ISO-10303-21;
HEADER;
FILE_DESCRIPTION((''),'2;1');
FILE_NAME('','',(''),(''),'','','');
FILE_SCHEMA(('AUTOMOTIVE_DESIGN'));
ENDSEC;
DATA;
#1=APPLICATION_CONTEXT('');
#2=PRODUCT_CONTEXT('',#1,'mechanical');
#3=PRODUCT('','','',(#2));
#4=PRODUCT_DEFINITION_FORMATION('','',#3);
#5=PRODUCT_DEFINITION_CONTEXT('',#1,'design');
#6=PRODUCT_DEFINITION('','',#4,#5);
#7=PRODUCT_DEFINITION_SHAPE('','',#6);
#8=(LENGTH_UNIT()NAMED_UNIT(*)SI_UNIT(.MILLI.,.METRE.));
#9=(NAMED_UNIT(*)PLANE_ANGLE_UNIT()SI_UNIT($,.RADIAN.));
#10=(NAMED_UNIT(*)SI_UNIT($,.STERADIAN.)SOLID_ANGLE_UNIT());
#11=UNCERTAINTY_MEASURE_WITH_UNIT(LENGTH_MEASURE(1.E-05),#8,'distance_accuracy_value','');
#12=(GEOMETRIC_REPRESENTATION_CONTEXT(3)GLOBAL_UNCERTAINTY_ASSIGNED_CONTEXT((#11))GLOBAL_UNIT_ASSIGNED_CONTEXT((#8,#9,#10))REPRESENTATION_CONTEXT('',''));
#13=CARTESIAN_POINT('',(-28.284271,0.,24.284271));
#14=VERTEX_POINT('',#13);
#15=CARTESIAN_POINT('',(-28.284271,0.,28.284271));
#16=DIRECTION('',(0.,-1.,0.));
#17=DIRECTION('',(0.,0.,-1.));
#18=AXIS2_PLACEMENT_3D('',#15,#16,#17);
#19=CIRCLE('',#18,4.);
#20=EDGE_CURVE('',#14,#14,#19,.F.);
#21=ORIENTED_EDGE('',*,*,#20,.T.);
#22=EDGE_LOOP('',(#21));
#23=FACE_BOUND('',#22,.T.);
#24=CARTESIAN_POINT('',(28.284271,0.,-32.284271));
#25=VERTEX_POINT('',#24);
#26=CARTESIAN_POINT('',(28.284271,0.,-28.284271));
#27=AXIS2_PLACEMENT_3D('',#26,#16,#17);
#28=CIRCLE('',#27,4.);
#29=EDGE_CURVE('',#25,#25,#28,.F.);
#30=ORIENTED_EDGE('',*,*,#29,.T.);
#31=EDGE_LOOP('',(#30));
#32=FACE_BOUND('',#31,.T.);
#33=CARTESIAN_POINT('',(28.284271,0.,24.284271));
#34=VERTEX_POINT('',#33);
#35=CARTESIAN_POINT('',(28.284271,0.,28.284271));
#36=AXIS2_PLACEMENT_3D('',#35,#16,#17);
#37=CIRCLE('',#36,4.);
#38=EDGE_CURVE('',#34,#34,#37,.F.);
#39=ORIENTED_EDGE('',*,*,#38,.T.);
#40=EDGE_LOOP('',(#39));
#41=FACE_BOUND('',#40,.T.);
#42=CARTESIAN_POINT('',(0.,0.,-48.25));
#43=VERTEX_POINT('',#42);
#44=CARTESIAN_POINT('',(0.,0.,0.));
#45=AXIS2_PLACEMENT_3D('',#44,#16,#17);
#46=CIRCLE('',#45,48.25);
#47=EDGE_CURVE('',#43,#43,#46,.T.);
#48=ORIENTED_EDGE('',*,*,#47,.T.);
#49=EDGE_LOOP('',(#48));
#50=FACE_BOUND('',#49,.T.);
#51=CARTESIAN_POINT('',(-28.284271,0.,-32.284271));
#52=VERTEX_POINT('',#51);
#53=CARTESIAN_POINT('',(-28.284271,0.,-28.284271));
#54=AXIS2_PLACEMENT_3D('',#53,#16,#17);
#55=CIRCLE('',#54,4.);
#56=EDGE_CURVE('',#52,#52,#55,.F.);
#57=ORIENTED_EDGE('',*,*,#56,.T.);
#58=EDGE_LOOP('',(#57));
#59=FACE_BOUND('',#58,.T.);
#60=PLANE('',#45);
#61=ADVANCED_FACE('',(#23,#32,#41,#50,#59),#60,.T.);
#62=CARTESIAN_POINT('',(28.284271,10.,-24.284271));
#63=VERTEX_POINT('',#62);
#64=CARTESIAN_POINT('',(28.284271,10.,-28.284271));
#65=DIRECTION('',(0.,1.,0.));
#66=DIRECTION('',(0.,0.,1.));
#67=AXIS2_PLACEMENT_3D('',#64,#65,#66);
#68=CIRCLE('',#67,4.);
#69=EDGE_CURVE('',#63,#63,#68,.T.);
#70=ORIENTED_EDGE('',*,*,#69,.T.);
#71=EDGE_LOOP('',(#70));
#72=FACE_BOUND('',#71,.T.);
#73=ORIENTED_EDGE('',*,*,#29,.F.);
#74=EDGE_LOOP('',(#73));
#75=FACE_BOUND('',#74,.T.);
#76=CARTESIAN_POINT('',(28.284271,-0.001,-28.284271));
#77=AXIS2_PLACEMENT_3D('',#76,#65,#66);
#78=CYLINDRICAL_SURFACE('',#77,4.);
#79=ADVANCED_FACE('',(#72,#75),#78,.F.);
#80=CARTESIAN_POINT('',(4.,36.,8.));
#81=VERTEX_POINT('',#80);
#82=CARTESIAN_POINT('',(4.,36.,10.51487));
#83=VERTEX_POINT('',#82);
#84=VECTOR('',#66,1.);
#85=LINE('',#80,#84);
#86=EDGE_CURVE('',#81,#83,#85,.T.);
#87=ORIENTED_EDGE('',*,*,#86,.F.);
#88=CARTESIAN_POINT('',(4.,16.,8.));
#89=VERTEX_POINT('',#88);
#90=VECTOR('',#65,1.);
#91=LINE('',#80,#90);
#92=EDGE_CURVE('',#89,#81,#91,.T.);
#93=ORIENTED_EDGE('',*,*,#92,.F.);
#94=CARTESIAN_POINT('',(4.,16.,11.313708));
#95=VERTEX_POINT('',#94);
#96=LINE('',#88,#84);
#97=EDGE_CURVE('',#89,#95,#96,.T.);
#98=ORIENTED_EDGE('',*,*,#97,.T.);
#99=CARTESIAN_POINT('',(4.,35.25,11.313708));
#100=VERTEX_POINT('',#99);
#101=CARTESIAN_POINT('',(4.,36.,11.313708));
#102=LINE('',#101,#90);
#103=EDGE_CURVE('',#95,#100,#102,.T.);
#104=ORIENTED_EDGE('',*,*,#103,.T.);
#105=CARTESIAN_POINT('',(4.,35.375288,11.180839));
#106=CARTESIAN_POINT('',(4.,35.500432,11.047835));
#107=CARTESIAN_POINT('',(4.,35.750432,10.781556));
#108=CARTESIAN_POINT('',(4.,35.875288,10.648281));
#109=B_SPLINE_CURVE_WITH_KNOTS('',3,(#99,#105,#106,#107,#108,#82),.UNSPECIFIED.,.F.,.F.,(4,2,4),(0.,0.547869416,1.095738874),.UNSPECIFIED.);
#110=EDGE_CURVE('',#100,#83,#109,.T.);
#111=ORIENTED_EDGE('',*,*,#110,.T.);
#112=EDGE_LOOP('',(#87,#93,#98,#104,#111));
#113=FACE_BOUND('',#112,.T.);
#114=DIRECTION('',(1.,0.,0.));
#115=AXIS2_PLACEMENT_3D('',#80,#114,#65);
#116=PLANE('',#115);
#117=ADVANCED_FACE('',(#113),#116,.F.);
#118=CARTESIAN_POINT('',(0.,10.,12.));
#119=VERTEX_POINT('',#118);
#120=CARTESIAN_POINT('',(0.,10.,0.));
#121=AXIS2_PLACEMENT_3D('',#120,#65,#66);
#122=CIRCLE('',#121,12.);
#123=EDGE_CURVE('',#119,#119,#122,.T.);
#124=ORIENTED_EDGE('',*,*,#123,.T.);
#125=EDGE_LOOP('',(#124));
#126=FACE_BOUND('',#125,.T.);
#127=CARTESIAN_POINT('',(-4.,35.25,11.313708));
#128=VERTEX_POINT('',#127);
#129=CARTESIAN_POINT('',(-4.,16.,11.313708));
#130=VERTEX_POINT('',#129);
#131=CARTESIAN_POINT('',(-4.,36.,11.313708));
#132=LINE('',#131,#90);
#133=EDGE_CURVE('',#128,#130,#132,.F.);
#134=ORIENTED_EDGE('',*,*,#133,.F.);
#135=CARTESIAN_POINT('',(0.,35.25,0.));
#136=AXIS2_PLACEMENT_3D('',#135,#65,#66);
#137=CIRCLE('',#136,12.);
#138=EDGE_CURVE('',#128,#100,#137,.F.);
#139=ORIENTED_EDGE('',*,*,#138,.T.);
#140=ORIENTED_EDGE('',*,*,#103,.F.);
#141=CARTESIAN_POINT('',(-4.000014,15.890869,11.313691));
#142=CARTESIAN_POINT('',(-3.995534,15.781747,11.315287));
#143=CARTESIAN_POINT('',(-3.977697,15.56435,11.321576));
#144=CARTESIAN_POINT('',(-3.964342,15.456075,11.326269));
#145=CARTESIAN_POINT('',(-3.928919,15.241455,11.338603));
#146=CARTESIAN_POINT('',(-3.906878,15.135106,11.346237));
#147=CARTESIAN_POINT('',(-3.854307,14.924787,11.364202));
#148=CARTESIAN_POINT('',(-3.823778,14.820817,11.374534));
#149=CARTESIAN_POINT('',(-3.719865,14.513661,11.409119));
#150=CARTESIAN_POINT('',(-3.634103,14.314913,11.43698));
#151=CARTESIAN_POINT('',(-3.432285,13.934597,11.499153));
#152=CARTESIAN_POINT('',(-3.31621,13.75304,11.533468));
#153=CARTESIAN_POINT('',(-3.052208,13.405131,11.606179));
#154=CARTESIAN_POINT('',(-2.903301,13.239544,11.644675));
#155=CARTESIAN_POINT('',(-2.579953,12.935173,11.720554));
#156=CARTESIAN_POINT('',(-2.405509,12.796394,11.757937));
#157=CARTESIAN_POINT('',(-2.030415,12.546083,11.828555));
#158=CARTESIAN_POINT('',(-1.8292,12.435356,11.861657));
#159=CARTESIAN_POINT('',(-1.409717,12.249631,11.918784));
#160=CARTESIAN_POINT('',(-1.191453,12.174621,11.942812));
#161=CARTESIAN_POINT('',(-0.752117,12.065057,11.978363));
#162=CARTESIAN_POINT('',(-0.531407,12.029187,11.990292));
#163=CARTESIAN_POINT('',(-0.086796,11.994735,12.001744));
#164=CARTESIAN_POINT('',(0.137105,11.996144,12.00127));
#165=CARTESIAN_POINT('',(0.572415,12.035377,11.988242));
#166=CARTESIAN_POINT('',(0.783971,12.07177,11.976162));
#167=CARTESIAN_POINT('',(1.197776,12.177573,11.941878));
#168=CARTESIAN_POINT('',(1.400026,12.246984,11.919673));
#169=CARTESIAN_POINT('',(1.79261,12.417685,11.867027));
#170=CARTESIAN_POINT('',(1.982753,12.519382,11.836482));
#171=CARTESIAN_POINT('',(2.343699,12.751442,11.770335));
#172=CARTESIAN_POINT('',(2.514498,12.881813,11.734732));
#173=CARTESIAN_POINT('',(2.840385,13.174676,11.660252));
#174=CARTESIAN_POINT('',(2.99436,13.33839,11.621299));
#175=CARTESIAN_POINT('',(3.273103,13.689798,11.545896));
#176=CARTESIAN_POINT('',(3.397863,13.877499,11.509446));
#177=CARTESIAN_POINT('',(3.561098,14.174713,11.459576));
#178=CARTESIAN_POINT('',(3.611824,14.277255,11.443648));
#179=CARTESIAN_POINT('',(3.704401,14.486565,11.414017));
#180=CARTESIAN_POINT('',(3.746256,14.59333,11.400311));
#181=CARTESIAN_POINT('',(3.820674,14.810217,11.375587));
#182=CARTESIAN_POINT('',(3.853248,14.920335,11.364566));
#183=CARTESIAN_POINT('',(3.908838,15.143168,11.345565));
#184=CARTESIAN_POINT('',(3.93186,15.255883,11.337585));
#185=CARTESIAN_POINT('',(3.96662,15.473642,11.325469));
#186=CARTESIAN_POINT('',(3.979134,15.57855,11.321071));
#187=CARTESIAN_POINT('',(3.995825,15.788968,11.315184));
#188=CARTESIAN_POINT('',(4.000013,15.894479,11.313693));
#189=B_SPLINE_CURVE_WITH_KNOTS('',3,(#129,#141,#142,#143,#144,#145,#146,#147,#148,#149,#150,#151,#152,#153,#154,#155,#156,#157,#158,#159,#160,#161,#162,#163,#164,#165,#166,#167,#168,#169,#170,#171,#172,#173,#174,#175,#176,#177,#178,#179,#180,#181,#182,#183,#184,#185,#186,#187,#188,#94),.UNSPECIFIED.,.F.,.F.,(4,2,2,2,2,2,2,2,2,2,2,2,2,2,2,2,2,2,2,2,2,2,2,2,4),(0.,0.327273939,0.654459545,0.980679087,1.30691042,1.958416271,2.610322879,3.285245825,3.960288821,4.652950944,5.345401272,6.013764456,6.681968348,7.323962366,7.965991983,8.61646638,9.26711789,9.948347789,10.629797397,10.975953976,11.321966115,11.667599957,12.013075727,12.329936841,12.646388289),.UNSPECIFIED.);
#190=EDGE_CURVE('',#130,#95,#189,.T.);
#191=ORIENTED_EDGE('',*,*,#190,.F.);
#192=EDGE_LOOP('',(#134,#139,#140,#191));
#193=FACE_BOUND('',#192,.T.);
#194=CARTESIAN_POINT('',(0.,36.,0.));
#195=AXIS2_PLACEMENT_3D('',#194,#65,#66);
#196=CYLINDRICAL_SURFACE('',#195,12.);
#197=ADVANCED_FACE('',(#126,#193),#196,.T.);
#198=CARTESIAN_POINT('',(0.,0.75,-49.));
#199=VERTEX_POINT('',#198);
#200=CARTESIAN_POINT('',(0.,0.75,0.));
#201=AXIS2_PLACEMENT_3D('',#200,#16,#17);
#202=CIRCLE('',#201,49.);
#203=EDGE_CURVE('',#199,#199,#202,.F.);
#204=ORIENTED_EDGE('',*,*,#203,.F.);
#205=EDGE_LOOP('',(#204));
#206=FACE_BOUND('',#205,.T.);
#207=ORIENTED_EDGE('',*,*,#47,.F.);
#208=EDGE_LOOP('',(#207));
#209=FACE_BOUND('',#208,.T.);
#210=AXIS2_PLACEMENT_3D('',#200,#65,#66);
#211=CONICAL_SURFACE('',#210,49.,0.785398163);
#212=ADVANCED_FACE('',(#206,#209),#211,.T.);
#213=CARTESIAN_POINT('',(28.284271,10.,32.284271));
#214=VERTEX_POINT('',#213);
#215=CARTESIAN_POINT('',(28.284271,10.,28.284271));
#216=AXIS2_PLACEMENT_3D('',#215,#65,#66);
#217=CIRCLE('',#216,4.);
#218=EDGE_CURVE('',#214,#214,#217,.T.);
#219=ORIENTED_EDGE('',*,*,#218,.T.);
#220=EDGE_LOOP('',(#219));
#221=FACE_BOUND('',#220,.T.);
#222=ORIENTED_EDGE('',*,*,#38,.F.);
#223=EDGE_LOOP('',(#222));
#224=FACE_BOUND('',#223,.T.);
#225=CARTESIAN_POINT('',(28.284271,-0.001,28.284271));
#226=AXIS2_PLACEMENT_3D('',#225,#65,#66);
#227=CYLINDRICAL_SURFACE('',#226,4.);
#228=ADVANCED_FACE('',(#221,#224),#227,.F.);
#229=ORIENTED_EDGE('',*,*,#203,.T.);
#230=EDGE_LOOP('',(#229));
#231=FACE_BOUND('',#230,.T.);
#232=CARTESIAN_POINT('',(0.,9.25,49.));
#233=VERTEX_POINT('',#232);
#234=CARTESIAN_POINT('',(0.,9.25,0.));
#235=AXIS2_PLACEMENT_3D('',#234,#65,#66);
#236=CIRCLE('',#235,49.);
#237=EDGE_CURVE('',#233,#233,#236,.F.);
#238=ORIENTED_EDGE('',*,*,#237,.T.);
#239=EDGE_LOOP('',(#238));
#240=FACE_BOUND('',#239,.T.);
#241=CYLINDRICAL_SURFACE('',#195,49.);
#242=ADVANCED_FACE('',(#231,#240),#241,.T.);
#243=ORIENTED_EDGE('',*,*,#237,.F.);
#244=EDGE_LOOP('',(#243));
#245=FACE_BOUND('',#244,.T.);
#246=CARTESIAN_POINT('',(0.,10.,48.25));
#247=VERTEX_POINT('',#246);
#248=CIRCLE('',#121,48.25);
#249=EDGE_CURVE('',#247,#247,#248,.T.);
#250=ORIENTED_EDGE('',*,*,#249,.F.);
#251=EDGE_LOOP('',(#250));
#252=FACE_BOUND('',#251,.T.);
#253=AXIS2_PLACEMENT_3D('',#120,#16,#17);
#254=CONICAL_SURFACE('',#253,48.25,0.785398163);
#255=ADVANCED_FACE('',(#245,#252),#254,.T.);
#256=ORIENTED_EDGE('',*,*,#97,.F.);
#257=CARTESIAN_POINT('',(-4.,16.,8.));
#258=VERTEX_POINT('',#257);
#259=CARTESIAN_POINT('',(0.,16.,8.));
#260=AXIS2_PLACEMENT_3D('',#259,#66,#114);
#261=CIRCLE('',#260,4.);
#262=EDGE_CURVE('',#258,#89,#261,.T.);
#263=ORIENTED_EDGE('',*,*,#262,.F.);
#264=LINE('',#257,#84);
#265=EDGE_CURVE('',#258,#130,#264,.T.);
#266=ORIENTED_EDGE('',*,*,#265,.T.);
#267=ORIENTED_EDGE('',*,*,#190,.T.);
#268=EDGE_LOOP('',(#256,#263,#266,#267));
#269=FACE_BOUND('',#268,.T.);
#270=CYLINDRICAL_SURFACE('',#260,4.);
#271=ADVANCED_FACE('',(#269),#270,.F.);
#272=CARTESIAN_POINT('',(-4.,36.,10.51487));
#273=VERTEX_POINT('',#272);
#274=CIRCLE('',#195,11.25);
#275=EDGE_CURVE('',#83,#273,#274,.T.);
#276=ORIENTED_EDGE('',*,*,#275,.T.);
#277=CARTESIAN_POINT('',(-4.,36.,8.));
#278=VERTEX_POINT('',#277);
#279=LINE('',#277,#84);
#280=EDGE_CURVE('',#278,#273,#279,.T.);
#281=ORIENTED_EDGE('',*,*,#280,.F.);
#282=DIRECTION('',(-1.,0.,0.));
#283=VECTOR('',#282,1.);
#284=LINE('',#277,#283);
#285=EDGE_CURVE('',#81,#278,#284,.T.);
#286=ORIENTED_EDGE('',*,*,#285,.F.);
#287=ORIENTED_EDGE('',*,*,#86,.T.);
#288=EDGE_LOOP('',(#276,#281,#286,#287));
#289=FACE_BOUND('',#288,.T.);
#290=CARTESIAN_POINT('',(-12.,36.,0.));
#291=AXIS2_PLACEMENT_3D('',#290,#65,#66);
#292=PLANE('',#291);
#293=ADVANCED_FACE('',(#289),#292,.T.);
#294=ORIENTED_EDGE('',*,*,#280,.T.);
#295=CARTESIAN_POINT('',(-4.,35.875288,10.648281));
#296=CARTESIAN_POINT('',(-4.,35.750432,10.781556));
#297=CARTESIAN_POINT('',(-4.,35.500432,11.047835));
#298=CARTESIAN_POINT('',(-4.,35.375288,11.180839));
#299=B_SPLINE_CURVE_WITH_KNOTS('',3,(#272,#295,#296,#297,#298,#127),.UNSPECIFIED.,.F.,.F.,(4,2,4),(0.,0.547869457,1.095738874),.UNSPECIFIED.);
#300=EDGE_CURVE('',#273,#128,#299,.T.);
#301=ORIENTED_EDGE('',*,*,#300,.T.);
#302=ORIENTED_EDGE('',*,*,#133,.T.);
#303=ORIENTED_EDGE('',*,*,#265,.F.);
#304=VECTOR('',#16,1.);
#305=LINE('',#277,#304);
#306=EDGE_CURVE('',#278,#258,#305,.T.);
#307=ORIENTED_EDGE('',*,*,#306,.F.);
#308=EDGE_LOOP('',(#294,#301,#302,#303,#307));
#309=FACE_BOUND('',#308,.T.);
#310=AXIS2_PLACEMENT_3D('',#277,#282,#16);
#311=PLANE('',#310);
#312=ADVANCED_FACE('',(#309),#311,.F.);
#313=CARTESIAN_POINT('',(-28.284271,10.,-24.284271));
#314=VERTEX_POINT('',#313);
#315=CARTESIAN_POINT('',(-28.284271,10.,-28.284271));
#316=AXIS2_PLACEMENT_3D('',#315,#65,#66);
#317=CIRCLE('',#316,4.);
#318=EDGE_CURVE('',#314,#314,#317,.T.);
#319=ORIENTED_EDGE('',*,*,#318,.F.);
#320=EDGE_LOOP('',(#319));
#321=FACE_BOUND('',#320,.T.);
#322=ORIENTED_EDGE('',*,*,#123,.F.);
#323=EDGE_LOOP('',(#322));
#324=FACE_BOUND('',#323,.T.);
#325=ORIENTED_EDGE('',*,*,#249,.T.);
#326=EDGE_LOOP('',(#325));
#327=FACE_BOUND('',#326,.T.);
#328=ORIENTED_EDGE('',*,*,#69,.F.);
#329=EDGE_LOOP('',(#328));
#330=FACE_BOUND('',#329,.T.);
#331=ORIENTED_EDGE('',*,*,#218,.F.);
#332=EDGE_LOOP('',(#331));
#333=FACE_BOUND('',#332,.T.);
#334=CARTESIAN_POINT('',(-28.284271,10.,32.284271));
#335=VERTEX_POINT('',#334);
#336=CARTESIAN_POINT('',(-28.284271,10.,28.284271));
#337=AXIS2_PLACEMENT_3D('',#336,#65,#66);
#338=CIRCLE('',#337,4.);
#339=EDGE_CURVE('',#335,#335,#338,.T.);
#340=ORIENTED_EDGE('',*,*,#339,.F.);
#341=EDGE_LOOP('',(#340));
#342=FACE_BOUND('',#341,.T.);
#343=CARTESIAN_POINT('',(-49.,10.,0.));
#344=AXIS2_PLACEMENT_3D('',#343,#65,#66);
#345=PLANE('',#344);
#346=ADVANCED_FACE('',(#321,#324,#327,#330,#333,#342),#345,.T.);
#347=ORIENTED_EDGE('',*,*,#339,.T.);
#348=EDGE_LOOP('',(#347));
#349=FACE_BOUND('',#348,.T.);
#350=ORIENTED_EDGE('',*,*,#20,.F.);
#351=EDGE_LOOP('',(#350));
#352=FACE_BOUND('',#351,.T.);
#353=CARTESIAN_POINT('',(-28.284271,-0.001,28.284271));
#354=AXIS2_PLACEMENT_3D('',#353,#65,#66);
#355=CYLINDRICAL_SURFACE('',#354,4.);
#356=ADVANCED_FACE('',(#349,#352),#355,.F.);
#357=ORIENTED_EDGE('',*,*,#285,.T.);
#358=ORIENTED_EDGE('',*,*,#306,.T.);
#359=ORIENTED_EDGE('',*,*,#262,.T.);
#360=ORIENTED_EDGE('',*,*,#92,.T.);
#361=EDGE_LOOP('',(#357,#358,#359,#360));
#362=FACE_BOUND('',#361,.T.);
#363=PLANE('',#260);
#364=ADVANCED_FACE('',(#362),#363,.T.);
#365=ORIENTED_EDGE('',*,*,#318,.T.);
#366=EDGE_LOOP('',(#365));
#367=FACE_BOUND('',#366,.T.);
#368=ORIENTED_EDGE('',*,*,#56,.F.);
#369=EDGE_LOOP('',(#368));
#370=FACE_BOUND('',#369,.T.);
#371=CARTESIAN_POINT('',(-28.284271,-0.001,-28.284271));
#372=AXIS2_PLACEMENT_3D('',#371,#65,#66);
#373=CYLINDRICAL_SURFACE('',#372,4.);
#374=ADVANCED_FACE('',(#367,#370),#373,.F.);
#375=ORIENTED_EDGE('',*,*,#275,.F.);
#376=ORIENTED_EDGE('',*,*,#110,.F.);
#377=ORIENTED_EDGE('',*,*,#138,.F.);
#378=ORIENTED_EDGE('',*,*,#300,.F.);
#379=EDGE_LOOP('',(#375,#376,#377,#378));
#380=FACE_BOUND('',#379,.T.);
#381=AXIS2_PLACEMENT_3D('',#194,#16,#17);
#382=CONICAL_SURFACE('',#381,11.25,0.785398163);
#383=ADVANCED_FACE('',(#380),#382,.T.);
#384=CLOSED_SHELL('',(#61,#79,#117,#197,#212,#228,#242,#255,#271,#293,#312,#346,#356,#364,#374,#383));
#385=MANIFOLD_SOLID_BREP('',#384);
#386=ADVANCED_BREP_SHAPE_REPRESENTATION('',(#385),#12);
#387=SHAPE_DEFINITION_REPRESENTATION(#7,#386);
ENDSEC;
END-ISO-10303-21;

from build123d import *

# Parameters (mm, degrees)
CUT_EXTRUDE1_REACH = 76.014
SKETCH2_R          = 4
CUT_EXTRUDE2_DEPTH = 4
CHAMFER1_SIZE      = 0.75


with BuildPart() as part:
    # Sketch1 → Revolve1 (revolve)
    with BuildSketch(Plane.XY):
        Polygon((0, 0), (-49, 0), (-49, 10), (-12, 10), (-12, 36), (0, 36), align=None)
    revolve(axis=Axis((0, 36, 0), (0, -1, 0)))

    # Sketch2 → Cut-Extrude1 (cut, up to next)
    with BuildSketch(Plane(origin=(0, 10, 0), x_dir=(1, 0, 0), z_dir=(0, 1, 0)), mode=Mode.PRIVATE) as cut_extrude1_sk1:
        with Locations((-28.284271247, 28.284271247)):
            Circle(SKETCH2_R)
    cut_extrude1_tool1 = extrude(cut_extrude1_sk1.sketch, amount=-CUT_EXTRUDE1_REACH, mode=Mode.PRIVATE) & part.part
    # Sketch2 → Cut-Extrude1 (cut, up to next)
    with BuildSketch(Plane(origin=(0, 10, 0), x_dir=(1, 0, 0), z_dir=(0, 1, 0)), mode=Mode.PRIVATE) as cut_extrude1_sk2:
        with Locations((28.284271247, 28.284271247)):
            Circle(SKETCH2_R)
    cut_extrude1_tool2 = extrude(cut_extrude1_sk2.sketch, amount=-CUT_EXTRUDE1_REACH, mode=Mode.PRIVATE) & part.part
    # Sketch2 → Cut-Extrude1 (cut, up to next)
    with BuildSketch(Plane(origin=(0, 10, 0), x_dir=(1, 0, 0), z_dir=(0, 1, 0)), mode=Mode.PRIVATE) as cut_extrude1_sk3:
        with Locations((28.284271247, -28.284271247)):
            Circle(SKETCH2_R)
    cut_extrude1_tool3 = extrude(cut_extrude1_sk3.sketch, amount=-CUT_EXTRUDE1_REACH, mode=Mode.PRIVATE) & part.part
    # Sketch2 → Cut-Extrude1 (cut, up to next)
    with BuildSketch(Plane(origin=(0, 10, 0), x_dir=(1, 0, 0), z_dir=(0, 1, 0)), mode=Mode.PRIVATE) as cut_extrude1_sk4:
        with Locations((-28.284271247, -28.284271247)):
            Circle(SKETCH2_R)
    cut_extrude1_tool4 = extrude(cut_extrude1_sk4.sketch, amount=-CUT_EXTRUDE1_REACH, mode=Mode.PRIVATE) & part.part
    add(cut_extrude1_tool1.solids().sort_by_distance((-28.284271, 10, -28.284271))[0], mode=Mode.SUBTRACT)
    add(cut_extrude1_tool2.solids().sort_by_distance((28.284271, 10, -28.284271))[0], mode=Mode.SUBTRACT)
    add(cut_extrude1_tool3.solids().sort_by_distance((28.284271, 10, 28.284271))[0], mode=Mode.SUBTRACT)
    add(cut_extrude1_tool4.solids().sort_by_distance((-28.284271, 10, 28.284271))[0], mode=Mode.SUBTRACT)

    # Sketch3 → Cut-Extrude2 (cut)
    with BuildSketch(Plane.XY.offset(12)):
        with BuildLine():
            Line((-4, 36), (4, 36))
            Line((4, 36), (4, 16))
            ThreePointArc((4, 16), (0, 12), (-4, 16))
            Line((-4, 16), (-4, 36))
        make_face()
    extrude(amount=-CUT_EXTRUDE2_DEPTH, mode=Mode.SUBTRACT)

    # Chamfer1
    chamfer1_edges = [part.edges().sort_by_distance(p)[0] for p in [
        (49, 0, 0),
        (49, 10, 0),
        (6.92820323, 36, -9.797958971),
    ]]
    chamfer(chamfer1_edges, length=CHAMFER1_SIZE)


solid = part.part
